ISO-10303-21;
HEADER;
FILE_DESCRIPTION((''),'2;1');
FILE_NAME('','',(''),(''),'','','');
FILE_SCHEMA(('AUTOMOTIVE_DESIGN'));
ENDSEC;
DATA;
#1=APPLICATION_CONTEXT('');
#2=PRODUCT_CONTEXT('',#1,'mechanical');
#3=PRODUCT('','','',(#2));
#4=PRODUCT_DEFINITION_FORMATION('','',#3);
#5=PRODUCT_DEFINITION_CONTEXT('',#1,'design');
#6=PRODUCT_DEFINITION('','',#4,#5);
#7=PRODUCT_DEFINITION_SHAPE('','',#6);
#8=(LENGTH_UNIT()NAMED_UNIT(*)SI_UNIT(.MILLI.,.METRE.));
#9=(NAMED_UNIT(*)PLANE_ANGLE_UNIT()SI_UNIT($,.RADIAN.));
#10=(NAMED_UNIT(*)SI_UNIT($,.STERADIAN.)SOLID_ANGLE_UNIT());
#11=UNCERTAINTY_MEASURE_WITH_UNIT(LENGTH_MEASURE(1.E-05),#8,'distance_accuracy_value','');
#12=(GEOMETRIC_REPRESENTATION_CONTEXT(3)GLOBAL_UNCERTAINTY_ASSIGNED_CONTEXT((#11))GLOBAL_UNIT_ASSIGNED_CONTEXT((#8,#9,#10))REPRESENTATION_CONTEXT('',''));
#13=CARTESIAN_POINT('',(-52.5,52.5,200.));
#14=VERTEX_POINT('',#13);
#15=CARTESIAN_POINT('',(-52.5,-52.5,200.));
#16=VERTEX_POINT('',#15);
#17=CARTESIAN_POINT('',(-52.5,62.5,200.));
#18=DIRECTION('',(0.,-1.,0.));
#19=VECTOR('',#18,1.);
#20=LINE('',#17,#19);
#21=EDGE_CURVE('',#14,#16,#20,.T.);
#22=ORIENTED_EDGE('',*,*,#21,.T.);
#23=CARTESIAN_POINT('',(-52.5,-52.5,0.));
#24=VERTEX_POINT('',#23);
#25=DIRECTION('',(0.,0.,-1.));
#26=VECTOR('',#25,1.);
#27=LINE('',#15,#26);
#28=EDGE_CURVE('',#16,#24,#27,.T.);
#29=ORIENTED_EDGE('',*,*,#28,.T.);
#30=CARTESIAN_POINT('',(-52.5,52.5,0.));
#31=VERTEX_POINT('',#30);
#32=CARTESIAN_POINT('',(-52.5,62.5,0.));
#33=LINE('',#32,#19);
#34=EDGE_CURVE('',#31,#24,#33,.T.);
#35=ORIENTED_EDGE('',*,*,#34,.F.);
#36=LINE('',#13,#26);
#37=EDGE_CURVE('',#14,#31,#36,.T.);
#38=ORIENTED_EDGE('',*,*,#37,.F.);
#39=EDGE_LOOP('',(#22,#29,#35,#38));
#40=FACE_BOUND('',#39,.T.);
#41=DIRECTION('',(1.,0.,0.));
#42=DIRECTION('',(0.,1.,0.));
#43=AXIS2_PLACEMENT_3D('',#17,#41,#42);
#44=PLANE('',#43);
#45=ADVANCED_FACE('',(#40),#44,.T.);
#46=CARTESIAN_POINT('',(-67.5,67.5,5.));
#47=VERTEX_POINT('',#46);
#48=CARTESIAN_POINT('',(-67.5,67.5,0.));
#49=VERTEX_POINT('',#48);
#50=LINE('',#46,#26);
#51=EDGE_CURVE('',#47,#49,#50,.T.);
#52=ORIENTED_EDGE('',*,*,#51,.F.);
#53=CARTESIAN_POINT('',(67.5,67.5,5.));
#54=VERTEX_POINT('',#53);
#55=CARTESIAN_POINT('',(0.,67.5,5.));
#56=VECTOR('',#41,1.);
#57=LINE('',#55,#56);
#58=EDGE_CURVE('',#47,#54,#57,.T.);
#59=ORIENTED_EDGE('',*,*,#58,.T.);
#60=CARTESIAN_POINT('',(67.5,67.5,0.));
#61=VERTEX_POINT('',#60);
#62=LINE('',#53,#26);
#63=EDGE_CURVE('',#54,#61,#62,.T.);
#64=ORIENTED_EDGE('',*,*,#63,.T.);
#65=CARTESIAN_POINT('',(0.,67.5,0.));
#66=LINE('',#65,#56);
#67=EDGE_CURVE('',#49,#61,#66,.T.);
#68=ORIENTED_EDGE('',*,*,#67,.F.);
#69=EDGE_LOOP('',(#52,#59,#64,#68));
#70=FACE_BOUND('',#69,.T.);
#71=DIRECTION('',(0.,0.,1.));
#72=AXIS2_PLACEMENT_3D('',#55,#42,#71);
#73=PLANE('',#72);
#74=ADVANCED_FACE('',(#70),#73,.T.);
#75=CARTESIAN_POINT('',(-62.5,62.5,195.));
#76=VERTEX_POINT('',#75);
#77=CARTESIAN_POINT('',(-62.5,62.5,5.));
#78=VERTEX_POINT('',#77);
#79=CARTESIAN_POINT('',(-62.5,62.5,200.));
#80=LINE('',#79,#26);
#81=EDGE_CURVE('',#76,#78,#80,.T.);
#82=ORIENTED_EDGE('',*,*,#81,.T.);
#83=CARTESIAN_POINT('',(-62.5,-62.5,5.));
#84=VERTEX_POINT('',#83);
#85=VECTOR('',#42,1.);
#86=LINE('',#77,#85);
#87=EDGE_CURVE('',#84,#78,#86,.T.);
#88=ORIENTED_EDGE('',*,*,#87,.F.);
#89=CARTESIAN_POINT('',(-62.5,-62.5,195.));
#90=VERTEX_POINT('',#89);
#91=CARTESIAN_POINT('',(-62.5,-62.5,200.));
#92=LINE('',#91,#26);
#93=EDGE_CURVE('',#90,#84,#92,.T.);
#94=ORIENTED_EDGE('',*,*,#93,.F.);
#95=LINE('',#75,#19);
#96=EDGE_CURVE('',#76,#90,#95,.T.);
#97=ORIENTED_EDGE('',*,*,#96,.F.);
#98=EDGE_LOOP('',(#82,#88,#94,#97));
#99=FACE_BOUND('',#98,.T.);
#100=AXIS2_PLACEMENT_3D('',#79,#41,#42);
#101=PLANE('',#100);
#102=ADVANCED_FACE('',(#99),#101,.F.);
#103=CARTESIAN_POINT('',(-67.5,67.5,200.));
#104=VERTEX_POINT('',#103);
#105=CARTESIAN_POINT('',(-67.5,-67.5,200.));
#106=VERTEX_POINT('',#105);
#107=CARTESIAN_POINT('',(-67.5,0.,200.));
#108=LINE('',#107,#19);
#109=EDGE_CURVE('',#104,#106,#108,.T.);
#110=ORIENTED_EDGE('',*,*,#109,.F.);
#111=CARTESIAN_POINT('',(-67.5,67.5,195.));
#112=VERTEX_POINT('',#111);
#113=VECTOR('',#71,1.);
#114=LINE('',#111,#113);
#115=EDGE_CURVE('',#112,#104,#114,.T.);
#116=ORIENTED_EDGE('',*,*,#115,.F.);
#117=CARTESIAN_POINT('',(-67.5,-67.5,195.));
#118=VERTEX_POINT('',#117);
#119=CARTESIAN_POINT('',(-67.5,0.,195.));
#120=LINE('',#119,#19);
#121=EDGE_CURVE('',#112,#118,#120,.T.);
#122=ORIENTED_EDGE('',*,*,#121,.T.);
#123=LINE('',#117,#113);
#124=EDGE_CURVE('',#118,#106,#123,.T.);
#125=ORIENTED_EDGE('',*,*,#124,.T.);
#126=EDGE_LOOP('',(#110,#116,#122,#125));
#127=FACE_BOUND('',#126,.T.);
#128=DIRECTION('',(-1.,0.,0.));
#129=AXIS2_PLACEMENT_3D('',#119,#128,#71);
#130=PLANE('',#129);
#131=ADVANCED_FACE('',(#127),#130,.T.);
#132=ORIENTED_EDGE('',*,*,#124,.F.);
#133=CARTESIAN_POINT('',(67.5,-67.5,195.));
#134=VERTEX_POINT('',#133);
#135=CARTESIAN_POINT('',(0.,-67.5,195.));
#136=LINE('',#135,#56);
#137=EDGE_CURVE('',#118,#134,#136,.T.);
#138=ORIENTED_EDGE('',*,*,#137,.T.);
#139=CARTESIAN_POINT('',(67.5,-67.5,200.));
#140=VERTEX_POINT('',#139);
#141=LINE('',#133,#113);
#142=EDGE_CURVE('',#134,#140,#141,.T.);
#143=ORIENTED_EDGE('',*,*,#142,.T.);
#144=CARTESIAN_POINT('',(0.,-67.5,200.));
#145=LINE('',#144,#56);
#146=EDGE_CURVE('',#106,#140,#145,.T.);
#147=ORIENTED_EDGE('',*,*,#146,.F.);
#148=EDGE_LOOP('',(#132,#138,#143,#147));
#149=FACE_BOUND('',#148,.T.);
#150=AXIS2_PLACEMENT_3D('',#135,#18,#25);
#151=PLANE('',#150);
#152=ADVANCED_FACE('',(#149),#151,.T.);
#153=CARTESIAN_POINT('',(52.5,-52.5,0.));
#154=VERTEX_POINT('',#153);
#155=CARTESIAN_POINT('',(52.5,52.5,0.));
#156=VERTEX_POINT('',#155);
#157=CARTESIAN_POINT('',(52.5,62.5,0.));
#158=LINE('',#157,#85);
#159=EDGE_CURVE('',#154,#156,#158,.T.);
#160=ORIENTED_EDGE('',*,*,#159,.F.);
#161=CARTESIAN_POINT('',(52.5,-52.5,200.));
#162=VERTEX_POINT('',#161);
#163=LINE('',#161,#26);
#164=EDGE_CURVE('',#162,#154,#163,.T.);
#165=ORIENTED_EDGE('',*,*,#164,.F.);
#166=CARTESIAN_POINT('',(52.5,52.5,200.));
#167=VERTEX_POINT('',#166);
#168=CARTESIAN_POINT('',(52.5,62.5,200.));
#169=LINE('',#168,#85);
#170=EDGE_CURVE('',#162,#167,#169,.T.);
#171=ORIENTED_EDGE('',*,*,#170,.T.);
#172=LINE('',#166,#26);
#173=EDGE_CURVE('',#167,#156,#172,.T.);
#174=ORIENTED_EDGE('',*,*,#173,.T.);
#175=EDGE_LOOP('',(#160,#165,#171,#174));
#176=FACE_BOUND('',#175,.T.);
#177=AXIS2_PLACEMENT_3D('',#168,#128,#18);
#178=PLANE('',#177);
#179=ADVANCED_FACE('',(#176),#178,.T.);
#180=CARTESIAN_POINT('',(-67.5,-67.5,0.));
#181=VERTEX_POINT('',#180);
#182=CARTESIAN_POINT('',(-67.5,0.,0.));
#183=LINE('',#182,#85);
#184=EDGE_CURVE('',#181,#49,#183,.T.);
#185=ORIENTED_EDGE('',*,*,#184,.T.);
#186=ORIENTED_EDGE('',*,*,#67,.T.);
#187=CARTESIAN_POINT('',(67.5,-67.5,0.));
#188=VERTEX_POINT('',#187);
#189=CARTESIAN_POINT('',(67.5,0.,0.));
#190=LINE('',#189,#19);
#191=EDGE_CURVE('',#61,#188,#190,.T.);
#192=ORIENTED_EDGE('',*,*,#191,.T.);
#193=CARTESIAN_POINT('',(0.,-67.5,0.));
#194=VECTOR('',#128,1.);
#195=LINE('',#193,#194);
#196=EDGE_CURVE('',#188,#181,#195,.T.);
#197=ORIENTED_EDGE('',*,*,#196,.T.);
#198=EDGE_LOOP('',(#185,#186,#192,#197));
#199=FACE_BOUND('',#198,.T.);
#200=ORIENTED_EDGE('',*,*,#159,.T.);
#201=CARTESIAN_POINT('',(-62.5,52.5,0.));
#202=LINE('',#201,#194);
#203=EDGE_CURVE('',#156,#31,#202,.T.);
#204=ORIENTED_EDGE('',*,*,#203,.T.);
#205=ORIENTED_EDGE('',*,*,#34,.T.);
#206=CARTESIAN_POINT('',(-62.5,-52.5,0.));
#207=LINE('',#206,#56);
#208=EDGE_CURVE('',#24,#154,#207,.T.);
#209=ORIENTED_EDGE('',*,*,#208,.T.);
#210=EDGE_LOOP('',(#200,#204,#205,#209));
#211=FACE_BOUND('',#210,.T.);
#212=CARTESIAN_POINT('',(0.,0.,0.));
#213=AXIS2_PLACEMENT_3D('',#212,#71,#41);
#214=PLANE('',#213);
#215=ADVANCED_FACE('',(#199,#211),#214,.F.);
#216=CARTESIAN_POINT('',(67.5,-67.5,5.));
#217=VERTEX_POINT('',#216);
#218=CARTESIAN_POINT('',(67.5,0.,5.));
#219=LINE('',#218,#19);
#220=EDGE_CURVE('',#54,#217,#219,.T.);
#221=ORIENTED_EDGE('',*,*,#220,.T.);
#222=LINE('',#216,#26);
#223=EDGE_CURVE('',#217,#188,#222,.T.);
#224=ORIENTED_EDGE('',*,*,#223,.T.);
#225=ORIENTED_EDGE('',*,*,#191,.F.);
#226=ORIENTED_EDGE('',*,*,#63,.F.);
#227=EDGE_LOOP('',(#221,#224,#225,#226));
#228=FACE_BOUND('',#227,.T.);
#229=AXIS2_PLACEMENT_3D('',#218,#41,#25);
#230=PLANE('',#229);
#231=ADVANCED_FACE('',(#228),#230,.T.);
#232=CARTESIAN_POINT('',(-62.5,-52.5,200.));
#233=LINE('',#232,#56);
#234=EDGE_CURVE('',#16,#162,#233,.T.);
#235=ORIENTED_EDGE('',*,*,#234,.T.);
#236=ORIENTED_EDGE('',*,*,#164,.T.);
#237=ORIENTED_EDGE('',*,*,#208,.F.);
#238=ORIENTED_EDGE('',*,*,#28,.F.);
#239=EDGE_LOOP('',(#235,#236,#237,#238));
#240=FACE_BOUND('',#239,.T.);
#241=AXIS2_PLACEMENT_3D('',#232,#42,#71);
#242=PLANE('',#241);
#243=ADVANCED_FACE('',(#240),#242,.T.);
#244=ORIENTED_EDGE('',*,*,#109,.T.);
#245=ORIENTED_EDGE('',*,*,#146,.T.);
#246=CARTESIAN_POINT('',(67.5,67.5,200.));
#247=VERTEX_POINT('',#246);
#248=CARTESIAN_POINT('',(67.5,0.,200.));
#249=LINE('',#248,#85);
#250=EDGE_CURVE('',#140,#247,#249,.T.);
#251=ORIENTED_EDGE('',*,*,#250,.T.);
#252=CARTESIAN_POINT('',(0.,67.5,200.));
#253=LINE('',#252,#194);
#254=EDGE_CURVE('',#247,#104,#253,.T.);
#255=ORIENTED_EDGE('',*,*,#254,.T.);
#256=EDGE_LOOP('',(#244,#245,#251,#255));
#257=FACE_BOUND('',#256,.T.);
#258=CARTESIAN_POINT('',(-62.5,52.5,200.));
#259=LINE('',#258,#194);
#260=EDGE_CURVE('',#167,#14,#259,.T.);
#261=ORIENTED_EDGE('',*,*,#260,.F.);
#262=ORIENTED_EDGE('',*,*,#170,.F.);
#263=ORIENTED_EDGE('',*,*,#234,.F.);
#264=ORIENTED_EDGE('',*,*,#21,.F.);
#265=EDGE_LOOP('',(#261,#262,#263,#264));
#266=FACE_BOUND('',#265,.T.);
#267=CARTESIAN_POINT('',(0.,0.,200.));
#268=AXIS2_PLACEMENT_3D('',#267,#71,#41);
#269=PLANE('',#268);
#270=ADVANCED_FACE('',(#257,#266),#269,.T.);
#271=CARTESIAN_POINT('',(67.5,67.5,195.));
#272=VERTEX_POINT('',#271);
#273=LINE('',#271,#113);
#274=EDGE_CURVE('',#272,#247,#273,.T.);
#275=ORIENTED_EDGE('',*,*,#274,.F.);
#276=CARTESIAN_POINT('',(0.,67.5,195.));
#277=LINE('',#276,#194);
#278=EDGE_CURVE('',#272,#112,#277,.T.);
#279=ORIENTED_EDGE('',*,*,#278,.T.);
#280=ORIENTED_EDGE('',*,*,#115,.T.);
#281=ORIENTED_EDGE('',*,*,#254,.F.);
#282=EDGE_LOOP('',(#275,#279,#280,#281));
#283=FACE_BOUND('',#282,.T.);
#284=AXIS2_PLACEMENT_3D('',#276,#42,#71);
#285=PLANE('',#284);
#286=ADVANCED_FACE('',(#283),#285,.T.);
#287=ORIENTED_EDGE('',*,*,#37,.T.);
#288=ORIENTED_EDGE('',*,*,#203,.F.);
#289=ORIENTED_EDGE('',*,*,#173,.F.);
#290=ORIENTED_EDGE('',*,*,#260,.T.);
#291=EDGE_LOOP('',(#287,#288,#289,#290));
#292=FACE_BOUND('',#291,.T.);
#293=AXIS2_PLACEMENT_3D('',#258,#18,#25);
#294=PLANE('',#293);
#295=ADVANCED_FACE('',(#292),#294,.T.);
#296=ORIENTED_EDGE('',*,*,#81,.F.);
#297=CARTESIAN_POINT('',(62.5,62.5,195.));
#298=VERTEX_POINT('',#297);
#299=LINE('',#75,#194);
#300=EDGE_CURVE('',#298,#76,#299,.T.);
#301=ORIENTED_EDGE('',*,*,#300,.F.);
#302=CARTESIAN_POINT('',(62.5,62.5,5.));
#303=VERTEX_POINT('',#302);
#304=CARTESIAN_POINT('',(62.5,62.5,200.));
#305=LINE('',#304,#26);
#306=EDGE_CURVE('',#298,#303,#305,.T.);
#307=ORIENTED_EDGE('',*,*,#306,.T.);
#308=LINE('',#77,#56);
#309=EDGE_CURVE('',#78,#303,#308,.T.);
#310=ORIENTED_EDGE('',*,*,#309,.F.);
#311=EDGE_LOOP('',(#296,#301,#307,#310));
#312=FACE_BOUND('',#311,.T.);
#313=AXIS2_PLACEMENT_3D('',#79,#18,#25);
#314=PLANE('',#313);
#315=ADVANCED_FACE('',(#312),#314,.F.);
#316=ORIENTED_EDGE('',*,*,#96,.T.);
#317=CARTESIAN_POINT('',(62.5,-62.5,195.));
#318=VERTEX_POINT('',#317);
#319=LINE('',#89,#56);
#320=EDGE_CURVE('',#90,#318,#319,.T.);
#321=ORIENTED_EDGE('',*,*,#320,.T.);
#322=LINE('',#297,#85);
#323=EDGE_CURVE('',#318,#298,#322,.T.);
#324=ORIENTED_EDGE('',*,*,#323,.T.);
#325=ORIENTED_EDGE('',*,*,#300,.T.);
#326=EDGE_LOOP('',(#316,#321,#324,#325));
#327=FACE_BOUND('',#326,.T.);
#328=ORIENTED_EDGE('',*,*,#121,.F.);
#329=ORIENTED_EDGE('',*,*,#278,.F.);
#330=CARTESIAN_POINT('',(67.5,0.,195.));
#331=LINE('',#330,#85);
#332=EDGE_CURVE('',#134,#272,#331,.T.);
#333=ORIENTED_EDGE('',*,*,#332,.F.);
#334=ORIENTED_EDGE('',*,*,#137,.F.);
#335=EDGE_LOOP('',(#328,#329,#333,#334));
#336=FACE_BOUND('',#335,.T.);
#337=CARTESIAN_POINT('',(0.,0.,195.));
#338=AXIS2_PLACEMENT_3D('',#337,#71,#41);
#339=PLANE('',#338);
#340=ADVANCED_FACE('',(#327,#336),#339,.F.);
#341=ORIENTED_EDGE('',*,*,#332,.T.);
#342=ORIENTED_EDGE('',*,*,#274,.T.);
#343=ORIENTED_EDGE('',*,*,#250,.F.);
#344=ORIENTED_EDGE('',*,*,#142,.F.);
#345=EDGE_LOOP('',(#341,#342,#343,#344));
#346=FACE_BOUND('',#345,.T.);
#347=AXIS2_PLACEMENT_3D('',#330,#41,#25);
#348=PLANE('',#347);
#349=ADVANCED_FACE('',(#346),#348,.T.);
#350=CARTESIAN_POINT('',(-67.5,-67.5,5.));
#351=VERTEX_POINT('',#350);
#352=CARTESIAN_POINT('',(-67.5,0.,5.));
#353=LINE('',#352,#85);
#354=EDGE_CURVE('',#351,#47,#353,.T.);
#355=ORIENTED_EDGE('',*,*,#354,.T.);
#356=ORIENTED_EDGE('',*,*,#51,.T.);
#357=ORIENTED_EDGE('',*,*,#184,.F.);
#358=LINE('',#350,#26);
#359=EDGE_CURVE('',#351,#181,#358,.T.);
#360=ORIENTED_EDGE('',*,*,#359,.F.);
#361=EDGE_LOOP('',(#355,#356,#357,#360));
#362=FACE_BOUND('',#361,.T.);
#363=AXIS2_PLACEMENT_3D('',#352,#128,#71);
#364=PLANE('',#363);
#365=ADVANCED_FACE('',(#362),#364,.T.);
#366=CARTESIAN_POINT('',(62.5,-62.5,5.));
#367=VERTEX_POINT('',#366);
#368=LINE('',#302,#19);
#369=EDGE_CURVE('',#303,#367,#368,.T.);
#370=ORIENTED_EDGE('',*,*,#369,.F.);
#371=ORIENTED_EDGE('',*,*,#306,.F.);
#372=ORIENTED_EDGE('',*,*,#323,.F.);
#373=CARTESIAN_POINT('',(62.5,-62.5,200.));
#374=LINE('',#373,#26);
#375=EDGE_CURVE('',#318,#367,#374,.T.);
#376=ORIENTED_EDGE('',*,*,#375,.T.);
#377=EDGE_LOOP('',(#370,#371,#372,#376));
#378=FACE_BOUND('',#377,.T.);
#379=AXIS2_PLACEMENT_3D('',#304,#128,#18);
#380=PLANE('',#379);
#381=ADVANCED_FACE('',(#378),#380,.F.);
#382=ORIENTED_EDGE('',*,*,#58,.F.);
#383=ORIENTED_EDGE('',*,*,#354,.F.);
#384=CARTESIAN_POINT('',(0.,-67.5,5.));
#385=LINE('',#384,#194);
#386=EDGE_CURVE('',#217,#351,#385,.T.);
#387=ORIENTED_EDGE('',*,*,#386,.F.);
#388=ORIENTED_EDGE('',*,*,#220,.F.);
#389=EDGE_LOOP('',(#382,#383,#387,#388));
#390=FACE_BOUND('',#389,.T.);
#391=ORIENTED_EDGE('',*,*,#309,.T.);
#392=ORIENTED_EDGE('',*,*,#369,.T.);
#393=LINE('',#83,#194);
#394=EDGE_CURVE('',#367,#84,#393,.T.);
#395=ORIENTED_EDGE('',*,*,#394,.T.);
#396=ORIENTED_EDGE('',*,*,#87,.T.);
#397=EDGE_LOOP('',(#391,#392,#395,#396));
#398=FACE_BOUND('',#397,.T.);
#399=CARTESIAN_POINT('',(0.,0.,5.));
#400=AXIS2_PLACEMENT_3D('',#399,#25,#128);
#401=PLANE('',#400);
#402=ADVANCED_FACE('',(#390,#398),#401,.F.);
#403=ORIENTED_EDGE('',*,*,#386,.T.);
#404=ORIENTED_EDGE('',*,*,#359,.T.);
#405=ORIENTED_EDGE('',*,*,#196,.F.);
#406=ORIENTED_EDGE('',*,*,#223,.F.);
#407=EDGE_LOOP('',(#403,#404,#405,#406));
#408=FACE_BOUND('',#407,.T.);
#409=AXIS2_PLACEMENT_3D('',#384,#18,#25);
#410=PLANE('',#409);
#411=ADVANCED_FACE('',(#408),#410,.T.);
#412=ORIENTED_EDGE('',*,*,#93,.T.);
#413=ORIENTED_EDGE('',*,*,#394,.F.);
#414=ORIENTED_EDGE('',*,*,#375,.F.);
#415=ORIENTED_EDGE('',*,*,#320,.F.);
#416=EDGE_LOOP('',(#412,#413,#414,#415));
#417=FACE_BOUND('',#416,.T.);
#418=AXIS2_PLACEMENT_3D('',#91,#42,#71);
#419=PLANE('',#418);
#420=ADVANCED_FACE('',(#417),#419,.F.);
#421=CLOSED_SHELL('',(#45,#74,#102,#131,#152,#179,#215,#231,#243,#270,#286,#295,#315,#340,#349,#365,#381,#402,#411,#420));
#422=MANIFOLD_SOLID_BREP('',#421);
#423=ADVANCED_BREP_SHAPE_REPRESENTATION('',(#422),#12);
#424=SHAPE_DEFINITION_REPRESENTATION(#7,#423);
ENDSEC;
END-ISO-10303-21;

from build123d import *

# Parameters (mm, degrees)
SKETCH1_W           = 125
SKETCH1_H           = 125
BOSS_EXTRUDE1_DEPTH = 200
SHELL1_T            = -10
SKETCH2_W           = 135
SKETCH2_H           = 135
SKETCH2_W_2         = 125
SKETCH2_H_2         = 125
SKETCH2_W_3         = 105
SKETCH2_H_3         = 105
BOSS_EXTRUDE2_DEPTH = 5
SKETCH3_W           = 135
SKETCH3_H           = 135
SKETCH3_W_2         = 125
SKETCH3_H_2         = 125
SKETCH3_W_3         = 105
SKETCH3_H_3         = 105
BOSS_EXTRUDE3_DEPTH = 5


with BuildPart() as part:
    # Sketch1 → Boss-Extrude1 (new body)
    with BuildSketch(Plane.XY):
        Rectangle(SKETCH1_W, SKETCH1_H)
    extrude(amount=BOSS_EXTRUDE1_DEPTH)

    # Shell1
    shell1_openings = [part.faces().sort_by_distance(p)[0] for p in [
        (0, 0, 200),
        (0, 0, 0),
    ]]
    offset(amount=SHELL1_T, openings=shell1_openings, kind=Kind.INTERSECTION)

    # Sketch2 → Boss-Extrude2 (add)
    # profile 1 of 2: a face of its own
    with BuildSketch(Plane.XY.offset(200)):
        Rectangle(SKETCH2_W, SKETCH2_H)
        Rectangle(SKETCH2_W_2, SKETCH2_H_2, mode=Mode.SUBTRACT)
    # profile 2 of 2: a face of its own
    with BuildSketch(Plane.XY.offset(200)):
        Rectangle(SKETCH2_W_2, SKETCH2_H_2)
        Rectangle(SKETCH2_W_3, SKETCH2_H_3, mode=Mode.SUBTRACT)
    extrude(amount=-BOSS_EXTRUDE2_DEPTH)

    # Sketch3 → Boss-Extrude3 (add)
    # profile 1 of 2: a face of its own
    with BuildSketch(Plane(origin=(0, 0, 0), x_dir=(-1, 0, 0), z_dir=(0, 0, -1))):
        Rectangle(SKETCH3_W, SKETCH3_H)
        Rectangle(SKETCH3_W_2, SKETCH3_H_2, mode=Mode.SUBTRACT)
    # profile 2 of 2: a face of its own
    with BuildSketch(Plane(origin=(0, 0, 0), x_dir=(-1, 0, 0), z_dir=(0, 0, -1))):
        Rectangle(SKETCH3_W_2, SKETCH3_H_2)
        Rectangle(SKETCH3_W_3, SKETCH3_H_3, mode=Mode.SUBTRACT)
    extrude(amount=-BOSS_EXTRUDE3_DEPTH)


solid = part.part
